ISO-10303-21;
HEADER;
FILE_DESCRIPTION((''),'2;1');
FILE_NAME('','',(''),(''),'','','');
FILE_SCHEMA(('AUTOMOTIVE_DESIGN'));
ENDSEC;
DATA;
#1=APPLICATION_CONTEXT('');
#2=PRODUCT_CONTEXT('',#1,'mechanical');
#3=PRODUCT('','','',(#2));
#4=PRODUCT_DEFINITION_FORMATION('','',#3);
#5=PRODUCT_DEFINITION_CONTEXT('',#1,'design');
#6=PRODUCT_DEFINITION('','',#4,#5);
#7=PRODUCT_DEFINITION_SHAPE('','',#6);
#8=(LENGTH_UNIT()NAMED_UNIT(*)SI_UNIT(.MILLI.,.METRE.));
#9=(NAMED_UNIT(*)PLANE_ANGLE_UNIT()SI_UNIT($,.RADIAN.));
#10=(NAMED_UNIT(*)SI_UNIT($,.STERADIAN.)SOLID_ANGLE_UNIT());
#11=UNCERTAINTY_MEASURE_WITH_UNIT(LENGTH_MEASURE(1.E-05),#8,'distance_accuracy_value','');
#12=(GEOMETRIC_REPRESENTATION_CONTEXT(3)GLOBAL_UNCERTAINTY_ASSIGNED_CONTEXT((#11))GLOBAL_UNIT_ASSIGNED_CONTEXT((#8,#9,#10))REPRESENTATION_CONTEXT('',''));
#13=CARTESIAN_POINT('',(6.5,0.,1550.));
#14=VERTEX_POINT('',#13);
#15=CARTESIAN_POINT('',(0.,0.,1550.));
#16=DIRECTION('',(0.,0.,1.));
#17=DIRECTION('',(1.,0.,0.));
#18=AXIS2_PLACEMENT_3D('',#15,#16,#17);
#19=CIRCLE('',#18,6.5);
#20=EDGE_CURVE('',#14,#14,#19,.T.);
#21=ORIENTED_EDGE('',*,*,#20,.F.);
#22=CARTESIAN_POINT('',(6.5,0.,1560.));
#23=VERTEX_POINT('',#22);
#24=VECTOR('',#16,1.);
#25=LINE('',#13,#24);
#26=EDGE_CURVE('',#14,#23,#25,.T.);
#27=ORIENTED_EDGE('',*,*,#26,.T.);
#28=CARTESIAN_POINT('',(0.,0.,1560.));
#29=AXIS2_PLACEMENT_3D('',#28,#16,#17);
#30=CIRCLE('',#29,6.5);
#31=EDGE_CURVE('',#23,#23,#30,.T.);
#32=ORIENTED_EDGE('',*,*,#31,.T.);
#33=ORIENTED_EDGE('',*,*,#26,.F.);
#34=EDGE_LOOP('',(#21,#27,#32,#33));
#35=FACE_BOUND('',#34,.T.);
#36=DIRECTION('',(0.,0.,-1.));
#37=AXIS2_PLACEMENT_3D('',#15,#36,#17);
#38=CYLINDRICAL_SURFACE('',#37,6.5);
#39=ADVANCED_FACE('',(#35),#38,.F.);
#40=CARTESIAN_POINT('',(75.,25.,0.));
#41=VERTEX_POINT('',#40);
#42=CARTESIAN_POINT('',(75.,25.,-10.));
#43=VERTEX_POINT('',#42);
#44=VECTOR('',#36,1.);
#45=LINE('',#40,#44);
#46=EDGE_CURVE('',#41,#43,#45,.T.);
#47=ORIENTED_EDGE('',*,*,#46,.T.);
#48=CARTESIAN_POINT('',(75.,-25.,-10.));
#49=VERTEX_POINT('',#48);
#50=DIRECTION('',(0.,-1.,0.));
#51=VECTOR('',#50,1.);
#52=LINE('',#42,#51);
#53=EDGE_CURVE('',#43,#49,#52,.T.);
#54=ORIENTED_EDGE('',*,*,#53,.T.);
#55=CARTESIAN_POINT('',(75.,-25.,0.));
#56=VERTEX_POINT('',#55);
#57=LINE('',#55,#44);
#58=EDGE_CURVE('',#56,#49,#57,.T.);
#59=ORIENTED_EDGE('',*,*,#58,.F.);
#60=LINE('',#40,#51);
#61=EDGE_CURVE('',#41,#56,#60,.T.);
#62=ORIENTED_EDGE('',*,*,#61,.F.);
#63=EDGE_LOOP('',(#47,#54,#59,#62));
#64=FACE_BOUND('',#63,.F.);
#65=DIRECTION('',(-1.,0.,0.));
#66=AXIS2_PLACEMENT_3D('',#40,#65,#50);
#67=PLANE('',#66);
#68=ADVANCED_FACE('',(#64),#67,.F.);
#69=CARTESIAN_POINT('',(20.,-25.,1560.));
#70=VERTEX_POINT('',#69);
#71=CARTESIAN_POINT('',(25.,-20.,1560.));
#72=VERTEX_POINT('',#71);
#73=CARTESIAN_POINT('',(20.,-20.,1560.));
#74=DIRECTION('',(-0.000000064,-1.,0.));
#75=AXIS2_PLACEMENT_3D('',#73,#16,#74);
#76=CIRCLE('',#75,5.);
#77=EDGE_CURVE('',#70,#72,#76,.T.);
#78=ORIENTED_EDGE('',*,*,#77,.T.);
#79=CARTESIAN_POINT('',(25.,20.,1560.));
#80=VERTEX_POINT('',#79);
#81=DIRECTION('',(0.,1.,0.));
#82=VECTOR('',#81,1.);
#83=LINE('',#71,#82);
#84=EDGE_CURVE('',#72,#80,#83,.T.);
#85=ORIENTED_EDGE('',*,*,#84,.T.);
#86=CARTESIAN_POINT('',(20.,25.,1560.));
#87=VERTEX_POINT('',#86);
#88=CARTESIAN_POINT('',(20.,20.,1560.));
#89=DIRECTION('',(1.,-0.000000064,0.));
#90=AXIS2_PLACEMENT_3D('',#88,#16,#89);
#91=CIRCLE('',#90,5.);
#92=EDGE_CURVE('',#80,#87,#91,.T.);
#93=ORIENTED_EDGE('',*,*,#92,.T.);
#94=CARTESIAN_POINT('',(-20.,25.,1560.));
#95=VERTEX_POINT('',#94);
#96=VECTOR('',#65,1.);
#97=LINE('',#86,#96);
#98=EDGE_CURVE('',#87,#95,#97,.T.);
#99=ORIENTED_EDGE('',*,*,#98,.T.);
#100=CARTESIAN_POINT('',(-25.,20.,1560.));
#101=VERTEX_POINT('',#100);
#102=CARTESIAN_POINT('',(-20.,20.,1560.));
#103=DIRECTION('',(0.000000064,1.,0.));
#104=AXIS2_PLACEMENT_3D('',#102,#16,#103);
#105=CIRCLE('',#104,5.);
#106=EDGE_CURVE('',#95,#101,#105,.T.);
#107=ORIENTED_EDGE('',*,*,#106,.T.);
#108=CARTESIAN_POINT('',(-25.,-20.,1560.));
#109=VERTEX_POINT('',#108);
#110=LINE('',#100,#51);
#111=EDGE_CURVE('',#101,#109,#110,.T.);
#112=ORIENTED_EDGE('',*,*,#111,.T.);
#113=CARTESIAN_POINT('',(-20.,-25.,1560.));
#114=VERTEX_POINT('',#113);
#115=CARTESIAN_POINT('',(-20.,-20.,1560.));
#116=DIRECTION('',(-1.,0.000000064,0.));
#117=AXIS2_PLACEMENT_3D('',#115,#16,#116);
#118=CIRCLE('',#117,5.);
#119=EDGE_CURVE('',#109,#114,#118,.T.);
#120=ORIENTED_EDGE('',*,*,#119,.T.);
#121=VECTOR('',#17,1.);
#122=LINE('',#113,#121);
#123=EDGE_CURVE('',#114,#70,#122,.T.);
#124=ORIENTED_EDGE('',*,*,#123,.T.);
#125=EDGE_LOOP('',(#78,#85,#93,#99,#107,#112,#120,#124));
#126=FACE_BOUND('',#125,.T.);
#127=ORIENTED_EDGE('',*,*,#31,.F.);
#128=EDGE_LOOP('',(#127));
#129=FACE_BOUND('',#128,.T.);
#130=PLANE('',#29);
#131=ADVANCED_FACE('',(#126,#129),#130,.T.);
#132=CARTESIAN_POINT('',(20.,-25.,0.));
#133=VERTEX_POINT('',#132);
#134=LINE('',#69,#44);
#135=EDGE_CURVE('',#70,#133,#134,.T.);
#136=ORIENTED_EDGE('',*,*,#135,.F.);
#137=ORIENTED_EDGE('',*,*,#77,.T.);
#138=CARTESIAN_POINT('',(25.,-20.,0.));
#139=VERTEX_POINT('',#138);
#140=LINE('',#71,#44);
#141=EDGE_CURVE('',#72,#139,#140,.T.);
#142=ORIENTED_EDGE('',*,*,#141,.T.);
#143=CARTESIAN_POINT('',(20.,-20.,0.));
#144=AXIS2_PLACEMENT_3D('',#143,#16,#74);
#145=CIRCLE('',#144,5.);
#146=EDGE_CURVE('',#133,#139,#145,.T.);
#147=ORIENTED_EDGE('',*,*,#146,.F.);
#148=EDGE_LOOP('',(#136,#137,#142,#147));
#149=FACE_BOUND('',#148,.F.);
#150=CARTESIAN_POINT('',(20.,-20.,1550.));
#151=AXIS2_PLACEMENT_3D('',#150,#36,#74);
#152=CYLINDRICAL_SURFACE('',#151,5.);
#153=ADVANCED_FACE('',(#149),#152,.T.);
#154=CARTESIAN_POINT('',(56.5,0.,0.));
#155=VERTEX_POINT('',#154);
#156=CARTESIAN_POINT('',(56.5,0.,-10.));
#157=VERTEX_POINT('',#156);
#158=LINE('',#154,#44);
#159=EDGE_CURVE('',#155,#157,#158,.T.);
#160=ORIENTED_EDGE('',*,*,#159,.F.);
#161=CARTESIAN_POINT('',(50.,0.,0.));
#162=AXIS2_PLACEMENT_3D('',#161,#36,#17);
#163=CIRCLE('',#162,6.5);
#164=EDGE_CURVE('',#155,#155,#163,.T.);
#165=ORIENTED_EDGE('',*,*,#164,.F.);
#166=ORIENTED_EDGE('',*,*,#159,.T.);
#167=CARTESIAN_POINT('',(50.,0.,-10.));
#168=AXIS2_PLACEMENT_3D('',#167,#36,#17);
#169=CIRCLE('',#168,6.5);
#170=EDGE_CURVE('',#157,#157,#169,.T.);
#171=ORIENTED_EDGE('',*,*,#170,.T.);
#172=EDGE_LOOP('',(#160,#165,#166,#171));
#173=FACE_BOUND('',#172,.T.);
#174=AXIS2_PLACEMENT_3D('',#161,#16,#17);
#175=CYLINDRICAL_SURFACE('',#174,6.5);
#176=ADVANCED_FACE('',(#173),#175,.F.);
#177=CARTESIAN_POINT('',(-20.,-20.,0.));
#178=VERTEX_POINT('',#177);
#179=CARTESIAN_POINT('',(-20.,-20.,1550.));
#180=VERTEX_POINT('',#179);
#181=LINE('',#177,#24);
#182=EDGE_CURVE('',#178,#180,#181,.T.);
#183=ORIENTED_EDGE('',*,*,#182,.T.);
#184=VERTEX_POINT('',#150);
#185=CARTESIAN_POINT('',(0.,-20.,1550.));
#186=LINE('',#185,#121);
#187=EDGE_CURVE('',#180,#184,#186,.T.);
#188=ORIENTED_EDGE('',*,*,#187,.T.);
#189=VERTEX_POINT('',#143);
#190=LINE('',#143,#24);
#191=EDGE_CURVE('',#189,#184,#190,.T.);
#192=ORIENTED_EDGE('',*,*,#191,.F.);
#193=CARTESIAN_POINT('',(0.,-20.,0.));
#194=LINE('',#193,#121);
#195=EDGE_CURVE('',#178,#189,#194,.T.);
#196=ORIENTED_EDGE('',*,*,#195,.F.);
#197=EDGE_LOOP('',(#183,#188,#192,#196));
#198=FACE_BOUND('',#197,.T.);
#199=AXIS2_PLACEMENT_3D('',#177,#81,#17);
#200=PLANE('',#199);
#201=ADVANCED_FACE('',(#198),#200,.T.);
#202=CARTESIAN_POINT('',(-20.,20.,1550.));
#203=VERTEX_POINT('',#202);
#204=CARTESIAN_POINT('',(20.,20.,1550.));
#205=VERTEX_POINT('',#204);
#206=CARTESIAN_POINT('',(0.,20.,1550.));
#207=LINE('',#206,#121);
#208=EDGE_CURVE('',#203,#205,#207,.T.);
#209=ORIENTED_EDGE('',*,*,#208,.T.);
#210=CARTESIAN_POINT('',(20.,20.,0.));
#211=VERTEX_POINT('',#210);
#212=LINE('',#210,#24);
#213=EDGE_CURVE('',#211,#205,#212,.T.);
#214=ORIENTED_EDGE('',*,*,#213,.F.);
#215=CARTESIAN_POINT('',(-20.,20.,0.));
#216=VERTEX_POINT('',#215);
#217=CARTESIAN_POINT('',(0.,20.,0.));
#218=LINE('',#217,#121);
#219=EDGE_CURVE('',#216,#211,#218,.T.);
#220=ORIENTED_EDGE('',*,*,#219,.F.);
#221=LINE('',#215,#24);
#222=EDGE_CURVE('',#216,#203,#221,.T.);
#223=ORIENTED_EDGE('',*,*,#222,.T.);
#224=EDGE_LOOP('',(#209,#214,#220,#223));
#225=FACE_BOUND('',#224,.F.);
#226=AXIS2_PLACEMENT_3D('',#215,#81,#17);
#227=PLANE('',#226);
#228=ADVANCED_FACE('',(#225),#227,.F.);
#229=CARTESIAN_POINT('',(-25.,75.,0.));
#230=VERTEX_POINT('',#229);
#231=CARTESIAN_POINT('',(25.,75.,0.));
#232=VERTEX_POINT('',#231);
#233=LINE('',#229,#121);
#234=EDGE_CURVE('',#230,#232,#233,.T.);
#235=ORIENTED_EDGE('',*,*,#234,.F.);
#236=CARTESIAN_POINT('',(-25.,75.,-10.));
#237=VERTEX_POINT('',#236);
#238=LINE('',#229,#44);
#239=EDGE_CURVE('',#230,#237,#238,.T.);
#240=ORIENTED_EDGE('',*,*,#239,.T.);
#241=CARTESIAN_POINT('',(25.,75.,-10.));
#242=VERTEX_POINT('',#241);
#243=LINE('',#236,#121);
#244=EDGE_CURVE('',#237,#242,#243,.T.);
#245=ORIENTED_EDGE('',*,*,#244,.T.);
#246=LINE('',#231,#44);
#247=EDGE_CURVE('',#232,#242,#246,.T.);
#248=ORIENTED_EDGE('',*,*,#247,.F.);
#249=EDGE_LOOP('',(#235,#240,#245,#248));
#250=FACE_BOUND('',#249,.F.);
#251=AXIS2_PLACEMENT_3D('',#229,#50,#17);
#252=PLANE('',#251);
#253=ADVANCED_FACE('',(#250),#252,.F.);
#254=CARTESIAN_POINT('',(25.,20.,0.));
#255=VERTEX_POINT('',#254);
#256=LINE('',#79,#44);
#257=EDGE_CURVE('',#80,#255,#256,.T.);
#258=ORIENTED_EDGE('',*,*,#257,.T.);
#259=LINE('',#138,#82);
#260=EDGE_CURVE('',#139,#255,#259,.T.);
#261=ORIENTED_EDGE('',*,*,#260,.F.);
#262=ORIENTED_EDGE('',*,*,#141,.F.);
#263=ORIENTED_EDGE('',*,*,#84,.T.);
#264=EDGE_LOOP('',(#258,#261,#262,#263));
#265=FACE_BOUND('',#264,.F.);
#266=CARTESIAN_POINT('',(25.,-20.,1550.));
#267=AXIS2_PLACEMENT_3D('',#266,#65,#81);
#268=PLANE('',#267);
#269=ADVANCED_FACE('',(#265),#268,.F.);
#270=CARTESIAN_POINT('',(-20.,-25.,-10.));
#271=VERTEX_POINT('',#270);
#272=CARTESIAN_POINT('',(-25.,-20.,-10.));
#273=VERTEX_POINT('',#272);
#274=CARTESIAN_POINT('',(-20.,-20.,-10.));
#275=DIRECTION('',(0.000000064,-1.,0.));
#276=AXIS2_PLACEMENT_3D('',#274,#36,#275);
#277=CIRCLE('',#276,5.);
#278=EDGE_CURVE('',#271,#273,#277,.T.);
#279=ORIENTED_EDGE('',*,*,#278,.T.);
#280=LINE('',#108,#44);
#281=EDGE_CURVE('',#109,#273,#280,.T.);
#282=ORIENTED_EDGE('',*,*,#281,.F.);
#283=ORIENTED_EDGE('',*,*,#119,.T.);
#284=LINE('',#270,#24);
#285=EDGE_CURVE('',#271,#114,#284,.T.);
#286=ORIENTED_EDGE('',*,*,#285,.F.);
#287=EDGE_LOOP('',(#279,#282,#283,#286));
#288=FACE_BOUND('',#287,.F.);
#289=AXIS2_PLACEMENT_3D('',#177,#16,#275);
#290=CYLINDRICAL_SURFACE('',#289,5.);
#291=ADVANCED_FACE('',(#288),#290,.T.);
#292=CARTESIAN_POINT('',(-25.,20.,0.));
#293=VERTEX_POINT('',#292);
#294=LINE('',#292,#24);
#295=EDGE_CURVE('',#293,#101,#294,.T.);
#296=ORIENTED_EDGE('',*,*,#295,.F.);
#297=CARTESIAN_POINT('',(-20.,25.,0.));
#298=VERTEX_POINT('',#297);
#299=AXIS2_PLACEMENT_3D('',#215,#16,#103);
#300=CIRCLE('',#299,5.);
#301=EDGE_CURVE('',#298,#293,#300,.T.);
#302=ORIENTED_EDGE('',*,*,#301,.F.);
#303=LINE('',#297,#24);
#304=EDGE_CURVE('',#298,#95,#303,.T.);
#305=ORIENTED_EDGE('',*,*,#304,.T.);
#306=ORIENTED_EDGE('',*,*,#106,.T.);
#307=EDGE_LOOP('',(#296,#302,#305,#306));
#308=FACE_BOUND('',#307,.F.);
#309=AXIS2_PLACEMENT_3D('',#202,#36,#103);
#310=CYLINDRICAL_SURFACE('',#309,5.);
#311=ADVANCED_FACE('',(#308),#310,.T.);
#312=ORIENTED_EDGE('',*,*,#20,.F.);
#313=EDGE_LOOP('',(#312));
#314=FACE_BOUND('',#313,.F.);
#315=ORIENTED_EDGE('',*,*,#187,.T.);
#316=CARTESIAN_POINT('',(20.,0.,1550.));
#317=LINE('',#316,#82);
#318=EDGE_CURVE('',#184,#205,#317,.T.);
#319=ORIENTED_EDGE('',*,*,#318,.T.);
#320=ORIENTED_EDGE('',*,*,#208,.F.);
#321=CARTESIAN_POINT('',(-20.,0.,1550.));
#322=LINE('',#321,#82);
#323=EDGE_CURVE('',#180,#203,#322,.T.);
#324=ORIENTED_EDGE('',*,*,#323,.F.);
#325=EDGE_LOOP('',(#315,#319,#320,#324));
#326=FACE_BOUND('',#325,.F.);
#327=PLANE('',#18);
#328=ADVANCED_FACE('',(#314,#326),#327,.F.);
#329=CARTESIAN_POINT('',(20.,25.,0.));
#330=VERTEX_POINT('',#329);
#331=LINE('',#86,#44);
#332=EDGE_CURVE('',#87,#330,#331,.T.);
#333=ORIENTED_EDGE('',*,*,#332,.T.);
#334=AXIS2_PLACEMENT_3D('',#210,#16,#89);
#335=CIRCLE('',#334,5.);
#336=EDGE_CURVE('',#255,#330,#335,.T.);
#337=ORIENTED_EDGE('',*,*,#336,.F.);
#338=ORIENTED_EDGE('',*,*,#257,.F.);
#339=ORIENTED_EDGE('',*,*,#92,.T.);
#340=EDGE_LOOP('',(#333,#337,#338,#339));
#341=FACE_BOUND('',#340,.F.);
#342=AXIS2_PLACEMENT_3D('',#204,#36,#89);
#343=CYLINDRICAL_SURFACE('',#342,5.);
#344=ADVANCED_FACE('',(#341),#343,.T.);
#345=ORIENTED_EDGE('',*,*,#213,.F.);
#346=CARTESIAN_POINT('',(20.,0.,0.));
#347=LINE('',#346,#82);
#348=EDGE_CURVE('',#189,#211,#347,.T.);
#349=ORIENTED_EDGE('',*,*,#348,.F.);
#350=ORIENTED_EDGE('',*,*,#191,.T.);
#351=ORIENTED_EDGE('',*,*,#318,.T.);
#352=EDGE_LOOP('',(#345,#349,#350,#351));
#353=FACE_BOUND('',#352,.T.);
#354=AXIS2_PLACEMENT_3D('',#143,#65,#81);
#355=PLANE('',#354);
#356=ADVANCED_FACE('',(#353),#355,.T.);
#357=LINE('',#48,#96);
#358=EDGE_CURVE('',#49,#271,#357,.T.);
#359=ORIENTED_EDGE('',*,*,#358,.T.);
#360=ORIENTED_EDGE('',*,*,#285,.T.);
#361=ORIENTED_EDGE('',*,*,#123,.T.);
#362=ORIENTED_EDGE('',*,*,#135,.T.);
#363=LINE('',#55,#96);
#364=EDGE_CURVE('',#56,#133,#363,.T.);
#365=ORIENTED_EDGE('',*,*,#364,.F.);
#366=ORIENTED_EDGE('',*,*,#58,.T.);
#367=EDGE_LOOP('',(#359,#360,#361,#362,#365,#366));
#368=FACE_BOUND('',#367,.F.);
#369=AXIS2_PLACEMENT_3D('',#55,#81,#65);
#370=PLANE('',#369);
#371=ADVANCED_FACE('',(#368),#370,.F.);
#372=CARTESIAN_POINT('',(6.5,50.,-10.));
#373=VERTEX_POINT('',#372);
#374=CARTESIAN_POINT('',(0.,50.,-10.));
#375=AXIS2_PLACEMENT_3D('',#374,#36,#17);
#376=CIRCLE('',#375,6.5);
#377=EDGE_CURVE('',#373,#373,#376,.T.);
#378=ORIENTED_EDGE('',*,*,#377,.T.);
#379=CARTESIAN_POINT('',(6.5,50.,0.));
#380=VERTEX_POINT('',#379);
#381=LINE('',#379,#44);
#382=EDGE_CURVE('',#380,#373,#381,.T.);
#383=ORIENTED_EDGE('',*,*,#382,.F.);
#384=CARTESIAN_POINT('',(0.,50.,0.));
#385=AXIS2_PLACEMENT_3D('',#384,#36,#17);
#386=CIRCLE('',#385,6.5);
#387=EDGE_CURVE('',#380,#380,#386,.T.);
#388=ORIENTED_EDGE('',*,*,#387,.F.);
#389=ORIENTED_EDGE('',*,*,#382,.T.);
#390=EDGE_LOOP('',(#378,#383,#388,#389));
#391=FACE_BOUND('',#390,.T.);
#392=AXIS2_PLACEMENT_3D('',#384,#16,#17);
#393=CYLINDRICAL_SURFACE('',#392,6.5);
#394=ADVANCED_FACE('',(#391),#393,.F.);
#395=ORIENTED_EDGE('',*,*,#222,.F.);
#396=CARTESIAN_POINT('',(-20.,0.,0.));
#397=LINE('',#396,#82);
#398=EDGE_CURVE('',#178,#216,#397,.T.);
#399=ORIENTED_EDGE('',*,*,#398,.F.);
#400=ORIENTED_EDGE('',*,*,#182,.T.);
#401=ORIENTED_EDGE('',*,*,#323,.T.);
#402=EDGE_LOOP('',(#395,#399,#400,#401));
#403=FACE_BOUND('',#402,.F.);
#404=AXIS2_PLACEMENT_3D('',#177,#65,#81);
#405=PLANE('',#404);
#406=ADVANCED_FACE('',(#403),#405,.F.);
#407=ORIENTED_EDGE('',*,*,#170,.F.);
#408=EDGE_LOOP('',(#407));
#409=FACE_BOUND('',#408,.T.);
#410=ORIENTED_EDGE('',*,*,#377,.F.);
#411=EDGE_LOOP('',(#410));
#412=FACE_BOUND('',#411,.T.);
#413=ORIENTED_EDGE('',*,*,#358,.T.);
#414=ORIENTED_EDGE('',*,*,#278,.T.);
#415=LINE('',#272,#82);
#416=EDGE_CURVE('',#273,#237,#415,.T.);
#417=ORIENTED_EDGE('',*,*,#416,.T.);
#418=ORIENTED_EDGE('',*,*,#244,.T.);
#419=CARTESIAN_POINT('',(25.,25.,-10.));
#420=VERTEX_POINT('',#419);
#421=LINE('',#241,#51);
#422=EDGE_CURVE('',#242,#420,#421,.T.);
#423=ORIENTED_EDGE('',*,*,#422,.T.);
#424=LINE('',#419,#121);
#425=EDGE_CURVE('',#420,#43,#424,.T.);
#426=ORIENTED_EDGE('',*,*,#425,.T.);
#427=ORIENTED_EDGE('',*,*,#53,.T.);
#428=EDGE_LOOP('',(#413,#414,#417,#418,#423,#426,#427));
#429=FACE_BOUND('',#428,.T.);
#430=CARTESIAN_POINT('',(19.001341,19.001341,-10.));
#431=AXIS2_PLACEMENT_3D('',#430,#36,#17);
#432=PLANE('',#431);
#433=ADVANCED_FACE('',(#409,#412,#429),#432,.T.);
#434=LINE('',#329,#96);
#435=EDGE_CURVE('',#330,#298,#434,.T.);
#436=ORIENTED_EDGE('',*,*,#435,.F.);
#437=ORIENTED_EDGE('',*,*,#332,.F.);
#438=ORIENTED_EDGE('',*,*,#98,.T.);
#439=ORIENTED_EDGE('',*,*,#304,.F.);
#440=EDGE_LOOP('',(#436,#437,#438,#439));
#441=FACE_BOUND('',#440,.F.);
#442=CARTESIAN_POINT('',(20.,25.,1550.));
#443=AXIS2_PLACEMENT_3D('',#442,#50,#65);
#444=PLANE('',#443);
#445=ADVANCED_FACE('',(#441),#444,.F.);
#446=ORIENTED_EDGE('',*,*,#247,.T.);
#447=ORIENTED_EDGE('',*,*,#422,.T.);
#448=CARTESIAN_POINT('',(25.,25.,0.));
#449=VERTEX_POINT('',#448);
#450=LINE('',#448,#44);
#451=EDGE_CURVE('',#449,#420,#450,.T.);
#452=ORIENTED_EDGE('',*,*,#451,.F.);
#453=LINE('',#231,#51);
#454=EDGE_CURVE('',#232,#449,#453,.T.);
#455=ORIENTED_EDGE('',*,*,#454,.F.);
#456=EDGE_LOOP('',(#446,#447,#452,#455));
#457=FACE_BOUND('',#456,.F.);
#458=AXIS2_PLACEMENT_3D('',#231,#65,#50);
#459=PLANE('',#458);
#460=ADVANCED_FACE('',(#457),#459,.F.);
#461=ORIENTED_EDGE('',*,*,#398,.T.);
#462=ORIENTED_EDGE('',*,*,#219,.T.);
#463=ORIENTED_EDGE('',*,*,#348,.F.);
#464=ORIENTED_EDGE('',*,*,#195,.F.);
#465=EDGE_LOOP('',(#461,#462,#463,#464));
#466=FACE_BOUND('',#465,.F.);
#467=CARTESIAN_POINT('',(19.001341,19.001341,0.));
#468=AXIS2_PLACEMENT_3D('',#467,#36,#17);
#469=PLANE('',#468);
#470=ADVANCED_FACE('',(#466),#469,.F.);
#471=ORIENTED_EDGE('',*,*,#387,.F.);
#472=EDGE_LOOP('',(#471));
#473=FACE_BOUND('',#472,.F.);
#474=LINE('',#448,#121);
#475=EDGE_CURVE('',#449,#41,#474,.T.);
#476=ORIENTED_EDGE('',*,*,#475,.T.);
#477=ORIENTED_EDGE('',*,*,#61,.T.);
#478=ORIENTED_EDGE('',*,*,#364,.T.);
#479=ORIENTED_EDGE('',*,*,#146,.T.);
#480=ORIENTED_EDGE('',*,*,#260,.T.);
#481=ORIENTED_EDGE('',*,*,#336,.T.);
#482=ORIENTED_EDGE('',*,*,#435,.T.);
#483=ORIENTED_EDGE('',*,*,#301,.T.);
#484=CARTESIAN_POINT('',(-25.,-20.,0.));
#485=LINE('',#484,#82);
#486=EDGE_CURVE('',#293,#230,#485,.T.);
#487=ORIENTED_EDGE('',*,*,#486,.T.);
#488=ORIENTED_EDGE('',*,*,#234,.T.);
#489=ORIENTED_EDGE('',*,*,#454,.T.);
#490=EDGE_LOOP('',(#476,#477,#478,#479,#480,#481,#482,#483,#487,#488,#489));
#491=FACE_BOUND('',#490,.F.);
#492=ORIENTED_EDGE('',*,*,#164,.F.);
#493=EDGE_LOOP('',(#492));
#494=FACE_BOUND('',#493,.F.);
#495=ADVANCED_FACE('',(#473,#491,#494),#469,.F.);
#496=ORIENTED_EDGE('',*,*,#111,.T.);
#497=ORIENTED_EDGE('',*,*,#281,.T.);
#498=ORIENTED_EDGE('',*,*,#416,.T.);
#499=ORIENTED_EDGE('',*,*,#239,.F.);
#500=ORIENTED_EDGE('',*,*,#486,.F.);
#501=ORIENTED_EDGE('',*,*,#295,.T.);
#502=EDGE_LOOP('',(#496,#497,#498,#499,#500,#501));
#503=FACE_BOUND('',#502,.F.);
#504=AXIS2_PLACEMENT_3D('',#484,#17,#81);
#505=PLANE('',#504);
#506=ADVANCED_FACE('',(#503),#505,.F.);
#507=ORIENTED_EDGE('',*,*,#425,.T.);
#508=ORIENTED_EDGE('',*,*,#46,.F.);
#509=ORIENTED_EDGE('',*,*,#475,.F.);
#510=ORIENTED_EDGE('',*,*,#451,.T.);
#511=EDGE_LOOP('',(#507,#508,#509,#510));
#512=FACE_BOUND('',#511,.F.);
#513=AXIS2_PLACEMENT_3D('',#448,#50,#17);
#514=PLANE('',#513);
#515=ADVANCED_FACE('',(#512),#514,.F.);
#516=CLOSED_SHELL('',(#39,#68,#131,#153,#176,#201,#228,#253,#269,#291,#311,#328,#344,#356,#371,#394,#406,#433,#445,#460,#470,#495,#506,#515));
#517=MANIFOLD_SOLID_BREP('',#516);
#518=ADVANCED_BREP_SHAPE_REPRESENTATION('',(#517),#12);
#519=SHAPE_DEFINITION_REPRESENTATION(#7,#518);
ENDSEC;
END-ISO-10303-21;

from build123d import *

# Parameters (mm, degrees)
F0_W     = 40
F0_H     = 40
F1_DEPTH = 1550
F2_R     = 6.5
F3_DEPTH = 10
F4_R     = 6.5
F5_DEPTH = 10


with BuildPart() as f1:
    # F0 (on Top) → F1 (new body)
    with BuildSketch(Plane.XY):
        with BuildLine():
            Line((-20, -25), (20, -25))
            ThreePointArc((20, -25), (23.535534, -23.535534), (25, -20))
            Line((25, -20), (25, 20))
            ThreePointArc((25, 20), (23.535534, 23.535534), (20, 25))
            Line((20, 25), (-20, 25))
            ThreePointArc((-20, 25), (-23.535534, 23.535534), (-25, 20))
            Line((-25, 20), (-25, -20))
            ThreePointArc((-25, -20), (-23.535534, -23.535534), (-20, -25))
        make_face()
        Rectangle(F0_W, F0_H, mode=Mode.SUBTRACT)
    extrude(amount=F1_DEPTH)

    # F2 (on face) → F3 (join)
    with BuildSketch(Plane.XY.offset(1550)):
        with BuildLine():
            Line((20, 25), (-20, 25))
            ThreePointArc((-20, 25), (-23.535534, 23.535534), (-25, 20))
            Line((-25, 20), (-25, -20))
            ThreePointArc((-25, -20), (-23.535534, -23.535534), (-20, -25))
            Line((-20, -25), (20, -25))
            ThreePointArc((20, -25), (23.535534, -23.535534), (25, -20))
            Line((25, -20), (25, 20))
            ThreePointArc((25, 20), (23.535534, 23.535534), (20, 25))
        make_face()
        Circle(F2_R, mode=Mode.SUBTRACT)
    extrude(amount=F3_DEPTH)

    # F4 (on face) → F5 (join)
    with BuildSketch(Plane(origin=(0, 0, 0), x_dir=(1, 0, 0), z_dir=(0, 0, -1))):
        with BuildLine():
            ThreePointArc((-20, 25), (-23.535534, 23.535534), (-25, 20))
            Line((-25, 20), (-25, -75))
            Line((-25, -75), (25, -75))
            Line((25, -75), (25, -25))
            Line((25, -25), (75, -25))
            Line((75, -25), (75, 25))
            Line((75, 25), (-20, 25))
        make_face()
        with Locations((0, -50)):
            Circle(F4_R, mode=Mode.SUBTRACT)
        with Locations((50, 0)):
            Circle(F4_R, mode=Mode.SUBTRACT)
    extrude(amount=F5_DEPTH)


solid = f1.part
